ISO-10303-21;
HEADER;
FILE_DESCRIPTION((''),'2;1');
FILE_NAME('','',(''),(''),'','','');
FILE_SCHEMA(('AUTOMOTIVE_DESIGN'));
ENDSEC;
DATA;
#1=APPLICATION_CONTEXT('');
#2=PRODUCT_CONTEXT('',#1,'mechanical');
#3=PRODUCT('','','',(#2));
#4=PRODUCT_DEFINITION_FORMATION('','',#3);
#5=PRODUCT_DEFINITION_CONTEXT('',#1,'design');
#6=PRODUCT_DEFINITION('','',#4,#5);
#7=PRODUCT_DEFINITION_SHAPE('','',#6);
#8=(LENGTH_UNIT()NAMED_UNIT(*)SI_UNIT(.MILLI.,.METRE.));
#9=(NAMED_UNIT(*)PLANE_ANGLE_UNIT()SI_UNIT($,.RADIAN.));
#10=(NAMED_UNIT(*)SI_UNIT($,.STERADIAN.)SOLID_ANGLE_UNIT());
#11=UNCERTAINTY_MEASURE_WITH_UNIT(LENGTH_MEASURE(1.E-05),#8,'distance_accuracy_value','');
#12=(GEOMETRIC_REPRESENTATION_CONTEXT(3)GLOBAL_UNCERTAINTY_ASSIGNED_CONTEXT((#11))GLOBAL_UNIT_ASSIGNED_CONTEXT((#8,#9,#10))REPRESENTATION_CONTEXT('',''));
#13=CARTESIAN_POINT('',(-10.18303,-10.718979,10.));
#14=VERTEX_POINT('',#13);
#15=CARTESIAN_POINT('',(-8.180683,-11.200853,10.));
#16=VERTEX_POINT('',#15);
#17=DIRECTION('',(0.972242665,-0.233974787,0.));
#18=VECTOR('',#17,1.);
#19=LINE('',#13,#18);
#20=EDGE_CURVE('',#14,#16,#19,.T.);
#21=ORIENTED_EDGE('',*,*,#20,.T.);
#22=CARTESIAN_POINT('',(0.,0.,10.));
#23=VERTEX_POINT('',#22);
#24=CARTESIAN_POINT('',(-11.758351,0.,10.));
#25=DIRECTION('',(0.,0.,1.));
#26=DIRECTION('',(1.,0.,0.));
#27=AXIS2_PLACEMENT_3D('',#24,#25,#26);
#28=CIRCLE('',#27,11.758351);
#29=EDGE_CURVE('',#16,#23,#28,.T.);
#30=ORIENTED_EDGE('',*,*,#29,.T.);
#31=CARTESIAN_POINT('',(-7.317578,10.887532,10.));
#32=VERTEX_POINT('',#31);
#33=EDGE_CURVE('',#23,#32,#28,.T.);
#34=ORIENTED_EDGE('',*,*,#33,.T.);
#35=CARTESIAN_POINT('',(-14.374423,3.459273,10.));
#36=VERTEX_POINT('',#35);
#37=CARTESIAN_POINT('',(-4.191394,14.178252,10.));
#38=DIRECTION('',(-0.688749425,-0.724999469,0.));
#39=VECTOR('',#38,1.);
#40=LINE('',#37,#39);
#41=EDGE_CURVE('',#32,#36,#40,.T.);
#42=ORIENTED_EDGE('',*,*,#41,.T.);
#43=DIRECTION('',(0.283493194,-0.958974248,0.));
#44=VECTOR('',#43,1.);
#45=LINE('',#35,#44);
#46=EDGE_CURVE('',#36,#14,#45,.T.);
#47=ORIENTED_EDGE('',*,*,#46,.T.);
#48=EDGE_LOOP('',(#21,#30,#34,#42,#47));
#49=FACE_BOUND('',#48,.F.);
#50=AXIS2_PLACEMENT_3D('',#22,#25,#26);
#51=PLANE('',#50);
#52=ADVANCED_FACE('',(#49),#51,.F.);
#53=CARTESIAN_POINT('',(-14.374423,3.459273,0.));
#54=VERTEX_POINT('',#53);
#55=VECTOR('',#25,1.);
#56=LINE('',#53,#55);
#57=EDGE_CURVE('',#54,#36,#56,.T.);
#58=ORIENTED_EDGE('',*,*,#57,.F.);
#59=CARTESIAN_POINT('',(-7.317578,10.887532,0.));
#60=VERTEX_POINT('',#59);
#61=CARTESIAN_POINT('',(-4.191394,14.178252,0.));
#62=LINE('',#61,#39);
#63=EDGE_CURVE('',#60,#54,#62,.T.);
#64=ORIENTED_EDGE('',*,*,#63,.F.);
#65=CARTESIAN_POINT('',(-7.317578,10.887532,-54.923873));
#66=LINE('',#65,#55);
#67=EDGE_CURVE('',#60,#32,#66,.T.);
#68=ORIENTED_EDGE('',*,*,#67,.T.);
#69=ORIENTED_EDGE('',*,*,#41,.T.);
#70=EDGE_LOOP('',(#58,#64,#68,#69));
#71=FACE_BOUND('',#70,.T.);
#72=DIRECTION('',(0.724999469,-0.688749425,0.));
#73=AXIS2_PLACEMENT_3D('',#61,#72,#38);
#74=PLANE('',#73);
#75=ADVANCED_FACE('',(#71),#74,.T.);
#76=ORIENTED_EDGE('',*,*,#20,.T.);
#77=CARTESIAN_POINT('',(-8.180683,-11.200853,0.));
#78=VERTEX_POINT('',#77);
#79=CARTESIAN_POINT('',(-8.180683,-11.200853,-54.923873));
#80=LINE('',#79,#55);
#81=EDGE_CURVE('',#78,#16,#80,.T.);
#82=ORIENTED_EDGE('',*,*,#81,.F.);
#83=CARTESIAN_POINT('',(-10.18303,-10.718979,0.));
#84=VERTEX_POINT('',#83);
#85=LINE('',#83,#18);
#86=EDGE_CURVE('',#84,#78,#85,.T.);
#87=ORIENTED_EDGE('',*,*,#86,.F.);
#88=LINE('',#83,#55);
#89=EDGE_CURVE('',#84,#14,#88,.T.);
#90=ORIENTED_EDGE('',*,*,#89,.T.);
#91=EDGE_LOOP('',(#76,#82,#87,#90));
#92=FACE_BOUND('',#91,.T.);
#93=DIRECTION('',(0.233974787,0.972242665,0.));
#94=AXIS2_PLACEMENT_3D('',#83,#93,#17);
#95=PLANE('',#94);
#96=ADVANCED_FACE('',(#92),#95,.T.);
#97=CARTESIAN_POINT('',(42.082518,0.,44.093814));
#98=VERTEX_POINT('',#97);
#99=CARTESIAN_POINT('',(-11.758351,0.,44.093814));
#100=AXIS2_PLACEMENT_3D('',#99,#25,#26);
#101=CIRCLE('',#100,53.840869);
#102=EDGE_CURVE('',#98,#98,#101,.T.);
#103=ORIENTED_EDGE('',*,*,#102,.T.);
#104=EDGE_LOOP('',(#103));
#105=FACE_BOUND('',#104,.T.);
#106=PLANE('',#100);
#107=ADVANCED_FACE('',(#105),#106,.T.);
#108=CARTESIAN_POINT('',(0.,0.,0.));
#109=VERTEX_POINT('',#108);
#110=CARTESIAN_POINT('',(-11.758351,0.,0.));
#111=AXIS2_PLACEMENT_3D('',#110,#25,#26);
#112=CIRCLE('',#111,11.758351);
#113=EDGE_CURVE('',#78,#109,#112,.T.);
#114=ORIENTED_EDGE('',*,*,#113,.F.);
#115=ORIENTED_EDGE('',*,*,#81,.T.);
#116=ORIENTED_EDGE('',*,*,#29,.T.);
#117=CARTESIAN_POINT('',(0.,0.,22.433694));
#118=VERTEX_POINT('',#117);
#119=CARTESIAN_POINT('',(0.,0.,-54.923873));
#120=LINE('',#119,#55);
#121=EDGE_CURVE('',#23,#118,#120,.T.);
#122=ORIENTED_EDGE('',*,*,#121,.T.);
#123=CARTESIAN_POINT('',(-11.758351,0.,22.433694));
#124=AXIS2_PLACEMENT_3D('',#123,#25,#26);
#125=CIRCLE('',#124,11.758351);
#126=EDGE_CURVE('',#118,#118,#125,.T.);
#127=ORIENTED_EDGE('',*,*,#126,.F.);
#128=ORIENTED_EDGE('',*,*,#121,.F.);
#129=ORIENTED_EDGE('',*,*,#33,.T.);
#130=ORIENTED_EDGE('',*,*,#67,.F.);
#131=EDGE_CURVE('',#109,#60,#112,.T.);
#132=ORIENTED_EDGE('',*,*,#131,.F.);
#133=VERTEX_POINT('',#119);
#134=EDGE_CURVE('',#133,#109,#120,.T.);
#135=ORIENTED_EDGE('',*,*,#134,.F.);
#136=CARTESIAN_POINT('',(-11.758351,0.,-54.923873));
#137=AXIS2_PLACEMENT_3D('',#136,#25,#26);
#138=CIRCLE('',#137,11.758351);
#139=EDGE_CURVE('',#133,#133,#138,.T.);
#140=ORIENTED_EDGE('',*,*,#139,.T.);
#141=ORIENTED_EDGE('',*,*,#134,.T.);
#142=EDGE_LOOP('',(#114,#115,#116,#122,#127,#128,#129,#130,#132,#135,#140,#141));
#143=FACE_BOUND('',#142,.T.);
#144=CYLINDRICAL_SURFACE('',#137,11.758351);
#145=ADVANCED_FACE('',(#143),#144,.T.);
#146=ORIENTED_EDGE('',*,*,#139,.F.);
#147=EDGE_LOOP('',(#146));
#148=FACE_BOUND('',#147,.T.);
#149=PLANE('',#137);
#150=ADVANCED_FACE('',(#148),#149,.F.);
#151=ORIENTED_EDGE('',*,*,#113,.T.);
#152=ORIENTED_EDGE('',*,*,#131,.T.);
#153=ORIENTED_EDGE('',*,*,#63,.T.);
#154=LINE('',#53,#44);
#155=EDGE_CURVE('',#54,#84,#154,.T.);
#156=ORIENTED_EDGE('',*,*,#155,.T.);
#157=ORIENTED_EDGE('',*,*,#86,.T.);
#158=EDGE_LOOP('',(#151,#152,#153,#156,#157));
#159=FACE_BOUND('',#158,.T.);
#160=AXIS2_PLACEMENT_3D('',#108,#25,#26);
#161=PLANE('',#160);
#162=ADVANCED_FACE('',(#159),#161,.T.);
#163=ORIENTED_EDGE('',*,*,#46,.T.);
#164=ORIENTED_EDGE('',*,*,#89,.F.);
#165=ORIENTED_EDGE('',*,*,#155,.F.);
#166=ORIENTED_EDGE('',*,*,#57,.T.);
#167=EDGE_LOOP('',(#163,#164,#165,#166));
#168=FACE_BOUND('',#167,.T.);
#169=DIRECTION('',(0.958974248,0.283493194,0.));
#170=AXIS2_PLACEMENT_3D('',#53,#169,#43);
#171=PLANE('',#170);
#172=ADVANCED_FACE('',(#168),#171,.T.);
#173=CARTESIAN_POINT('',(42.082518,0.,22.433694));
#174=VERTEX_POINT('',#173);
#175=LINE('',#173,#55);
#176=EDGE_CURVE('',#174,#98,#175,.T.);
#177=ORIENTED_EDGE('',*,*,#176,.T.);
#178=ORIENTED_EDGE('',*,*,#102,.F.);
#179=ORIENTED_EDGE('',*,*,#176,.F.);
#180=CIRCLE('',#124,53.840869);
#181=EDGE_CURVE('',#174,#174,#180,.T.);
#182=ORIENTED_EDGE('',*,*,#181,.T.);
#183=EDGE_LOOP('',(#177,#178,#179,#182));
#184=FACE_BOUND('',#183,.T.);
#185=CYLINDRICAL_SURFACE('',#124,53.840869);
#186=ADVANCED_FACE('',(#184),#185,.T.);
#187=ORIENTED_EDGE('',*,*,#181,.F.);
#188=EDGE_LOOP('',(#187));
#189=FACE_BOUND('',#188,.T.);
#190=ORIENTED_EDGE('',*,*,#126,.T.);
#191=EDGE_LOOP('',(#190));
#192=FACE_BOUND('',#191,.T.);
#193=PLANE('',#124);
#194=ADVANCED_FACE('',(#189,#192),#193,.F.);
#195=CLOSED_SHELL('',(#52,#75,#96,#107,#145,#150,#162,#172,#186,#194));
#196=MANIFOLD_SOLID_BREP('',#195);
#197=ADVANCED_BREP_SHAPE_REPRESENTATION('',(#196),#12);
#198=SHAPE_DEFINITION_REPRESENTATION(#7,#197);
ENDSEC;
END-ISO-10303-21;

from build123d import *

# Parameters (mm, degrees)
F3_DEPTH = 10


with BuildPart() as f1:
    # F0 (on Front) → F1 (revolve)
    with BuildSketch(Plane.XZ):
        Polygon((1.23772, 44.093814), (0, 44.093814), (-11.758351, 44.093814), (-11.758351, -54.923873), (0, -54.923873), (0, 22.433694), (42.082518, 22.433694), (42.082518, 44.093814), align=None)
    revolve(axis=Axis((-11.758351, 0, -5.41503), (0, 0, 1)))

    # F2 (on Top) → F3 (cut)
    with BuildSketch(Plane.XY):
        Polygon((-4.191394, 14.178252), (-14.374423, 3.459273), (-10.18303, -10.718979), (4.191394, -14.178252), (14.374423, -3.459273), (10.18303, 10.718979), align=None)
    extrude(amount=F3_DEPTH, mode=Mode.SUBTRACT)


solid = f1.part
